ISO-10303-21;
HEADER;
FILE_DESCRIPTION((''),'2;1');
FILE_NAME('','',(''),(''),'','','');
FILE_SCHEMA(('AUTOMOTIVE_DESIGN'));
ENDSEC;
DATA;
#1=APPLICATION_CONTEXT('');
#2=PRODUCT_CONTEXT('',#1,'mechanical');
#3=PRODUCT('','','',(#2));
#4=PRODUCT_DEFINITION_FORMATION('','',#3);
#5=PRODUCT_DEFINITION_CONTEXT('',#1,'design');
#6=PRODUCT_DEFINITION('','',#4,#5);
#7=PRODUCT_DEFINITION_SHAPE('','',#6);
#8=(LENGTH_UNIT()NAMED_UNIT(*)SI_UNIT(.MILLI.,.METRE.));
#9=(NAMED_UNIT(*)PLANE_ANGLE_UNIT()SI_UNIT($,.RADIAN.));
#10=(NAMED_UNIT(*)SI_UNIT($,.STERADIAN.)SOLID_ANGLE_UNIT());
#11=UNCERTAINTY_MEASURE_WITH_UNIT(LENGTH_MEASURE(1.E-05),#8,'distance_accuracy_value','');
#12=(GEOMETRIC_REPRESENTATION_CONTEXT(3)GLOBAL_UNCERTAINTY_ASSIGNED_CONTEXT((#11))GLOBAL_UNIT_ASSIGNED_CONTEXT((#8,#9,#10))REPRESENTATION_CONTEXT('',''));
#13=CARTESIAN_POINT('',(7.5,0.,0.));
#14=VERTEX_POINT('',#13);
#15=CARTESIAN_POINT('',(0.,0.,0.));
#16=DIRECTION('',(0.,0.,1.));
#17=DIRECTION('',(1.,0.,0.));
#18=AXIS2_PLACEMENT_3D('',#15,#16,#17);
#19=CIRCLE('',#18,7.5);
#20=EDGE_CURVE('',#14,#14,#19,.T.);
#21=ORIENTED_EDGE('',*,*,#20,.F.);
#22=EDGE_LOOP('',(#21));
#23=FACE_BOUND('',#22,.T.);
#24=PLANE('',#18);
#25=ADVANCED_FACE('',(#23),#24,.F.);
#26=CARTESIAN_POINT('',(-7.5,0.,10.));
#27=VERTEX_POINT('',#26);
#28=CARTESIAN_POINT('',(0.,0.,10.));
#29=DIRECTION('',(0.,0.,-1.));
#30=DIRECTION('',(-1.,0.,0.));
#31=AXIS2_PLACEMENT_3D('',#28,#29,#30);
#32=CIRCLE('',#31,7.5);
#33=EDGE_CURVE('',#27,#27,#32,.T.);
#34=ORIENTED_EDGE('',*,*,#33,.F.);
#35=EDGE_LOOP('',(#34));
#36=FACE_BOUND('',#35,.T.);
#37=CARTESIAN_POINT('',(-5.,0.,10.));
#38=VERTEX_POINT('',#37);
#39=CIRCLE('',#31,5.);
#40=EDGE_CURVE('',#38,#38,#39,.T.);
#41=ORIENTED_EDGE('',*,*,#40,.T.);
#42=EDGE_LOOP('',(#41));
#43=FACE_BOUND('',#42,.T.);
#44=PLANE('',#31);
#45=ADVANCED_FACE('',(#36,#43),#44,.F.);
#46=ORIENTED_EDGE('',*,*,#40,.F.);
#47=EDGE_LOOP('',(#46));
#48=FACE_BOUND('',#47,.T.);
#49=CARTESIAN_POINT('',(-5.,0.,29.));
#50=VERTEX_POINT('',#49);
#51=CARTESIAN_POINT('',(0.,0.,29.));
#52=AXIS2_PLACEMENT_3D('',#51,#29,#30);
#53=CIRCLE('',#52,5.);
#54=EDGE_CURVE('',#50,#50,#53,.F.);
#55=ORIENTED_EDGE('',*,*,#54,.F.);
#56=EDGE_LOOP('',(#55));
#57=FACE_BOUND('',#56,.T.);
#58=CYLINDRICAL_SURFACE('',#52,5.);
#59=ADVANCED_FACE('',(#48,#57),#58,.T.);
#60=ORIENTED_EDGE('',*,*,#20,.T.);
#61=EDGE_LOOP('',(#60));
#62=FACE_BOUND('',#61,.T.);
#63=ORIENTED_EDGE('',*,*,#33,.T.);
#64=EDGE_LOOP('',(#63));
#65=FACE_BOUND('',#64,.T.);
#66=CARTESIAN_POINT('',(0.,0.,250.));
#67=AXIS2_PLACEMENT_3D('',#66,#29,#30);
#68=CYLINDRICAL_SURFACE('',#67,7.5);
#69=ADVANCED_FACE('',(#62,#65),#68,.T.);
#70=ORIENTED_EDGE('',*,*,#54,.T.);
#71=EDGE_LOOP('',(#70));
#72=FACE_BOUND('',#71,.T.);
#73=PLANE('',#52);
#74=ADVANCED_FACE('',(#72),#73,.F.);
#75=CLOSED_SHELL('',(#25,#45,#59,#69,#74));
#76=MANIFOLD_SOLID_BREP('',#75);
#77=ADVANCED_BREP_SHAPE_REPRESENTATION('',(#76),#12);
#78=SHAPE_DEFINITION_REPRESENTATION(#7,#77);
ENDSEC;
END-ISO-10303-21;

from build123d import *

# Parameters (mm, degrees)
SKETCH1_R           = 7.5
BOSS_EXTRUDE1_DEPTH = 250
SKETCH2_R           = 5
CUT_EXTRUDE1_DEPTH  = 10
SKETCH3_R           = 9.435011435
SKETCH3_R_2         = 5
CUT_EXTRUDE2_DEPTH  = 19
SKETCH5_R           = 25.765699078
CUT_EXTRUDE3_DEPTH  = 221
SKETCH6_R           = 5.5
BOSS_EXTRUDE2_DEPTH = 10


with BuildPart() as part:
    # Sketch1 → Boss-Extrude1 (new body)
    with BuildSketch(Plane.XY):
        Circle(SKETCH1_R)
    extrude(amount=BOSS_EXTRUDE1_DEPTH)

    # Sketch2 → Cut-Extrude1 (cut)
    with BuildSketch(Plane.XY):
        Circle(SKETCH2_R)
    extrude(amount=CUT_EXTRUDE1_DEPTH, mode=Mode.SUBTRACT)

    # Sketch3 → Cut-Extrude2 (cut)
    with BuildSketch(Plane(origin=(0, 0, 10), x_dir=(-1, 0, 0), z_dir=(0, 0, -1))):
        Circle(SKETCH3_R)
        Circle(SKETCH3_R_2, mode=Mode.SUBTRACT)
    extrude(amount=-CUT_EXTRUDE2_DEPTH, mode=Mode.SUBTRACT)


with BuildPart() as cut_extrude2_piece_1:
    # of the separate pieces the step leaves, piece 1, a body of its own (cut_extrude2_pieces)
    add(part.part.solids().sort_by_distance((7.5, 0, 29))[0])

    # Sketch5 → Cut-Extrude3 (cut)
    with BuildSketch(Plane(origin=(0, 0, 29), x_dir=(-1, 0, 0), z_dir=(0, 0, -1))):
        Circle(SKETCH5_R)
    extrude(amount=-CUT_EXTRUDE3_DEPTH, mode=Mode.SUBTRACT)



with BuildPart() as cut_extrude2_piece_2:
    # of the separate pieces the step leaves, piece 2, a body of its own (cut_extrude2_pieces)
    add(part.part.solids().sort_by_distance((7.5, 0, 0))[0])


with BuildPart() as cut_extrude2_piece_1_1:
    add(cut_extrude2_piece_1.part)

    add(cut_extrude2_piece_2.part)  # Boss-Extrude2 merges Cut-Extrude2 piece 2
    # Sketch6 → Boss-Extrude2 (add)
    with BuildSketch(Plane(origin=(0, 0, 10), x_dir=(-1, 0, 0), z_dir=(0, 0, -1))):
        Circle(SKETCH6_R)
    extrude(amount=BOSS_EXTRUDE2_DEPTH)


solid = cut_extrude2_piece_1_1.part
